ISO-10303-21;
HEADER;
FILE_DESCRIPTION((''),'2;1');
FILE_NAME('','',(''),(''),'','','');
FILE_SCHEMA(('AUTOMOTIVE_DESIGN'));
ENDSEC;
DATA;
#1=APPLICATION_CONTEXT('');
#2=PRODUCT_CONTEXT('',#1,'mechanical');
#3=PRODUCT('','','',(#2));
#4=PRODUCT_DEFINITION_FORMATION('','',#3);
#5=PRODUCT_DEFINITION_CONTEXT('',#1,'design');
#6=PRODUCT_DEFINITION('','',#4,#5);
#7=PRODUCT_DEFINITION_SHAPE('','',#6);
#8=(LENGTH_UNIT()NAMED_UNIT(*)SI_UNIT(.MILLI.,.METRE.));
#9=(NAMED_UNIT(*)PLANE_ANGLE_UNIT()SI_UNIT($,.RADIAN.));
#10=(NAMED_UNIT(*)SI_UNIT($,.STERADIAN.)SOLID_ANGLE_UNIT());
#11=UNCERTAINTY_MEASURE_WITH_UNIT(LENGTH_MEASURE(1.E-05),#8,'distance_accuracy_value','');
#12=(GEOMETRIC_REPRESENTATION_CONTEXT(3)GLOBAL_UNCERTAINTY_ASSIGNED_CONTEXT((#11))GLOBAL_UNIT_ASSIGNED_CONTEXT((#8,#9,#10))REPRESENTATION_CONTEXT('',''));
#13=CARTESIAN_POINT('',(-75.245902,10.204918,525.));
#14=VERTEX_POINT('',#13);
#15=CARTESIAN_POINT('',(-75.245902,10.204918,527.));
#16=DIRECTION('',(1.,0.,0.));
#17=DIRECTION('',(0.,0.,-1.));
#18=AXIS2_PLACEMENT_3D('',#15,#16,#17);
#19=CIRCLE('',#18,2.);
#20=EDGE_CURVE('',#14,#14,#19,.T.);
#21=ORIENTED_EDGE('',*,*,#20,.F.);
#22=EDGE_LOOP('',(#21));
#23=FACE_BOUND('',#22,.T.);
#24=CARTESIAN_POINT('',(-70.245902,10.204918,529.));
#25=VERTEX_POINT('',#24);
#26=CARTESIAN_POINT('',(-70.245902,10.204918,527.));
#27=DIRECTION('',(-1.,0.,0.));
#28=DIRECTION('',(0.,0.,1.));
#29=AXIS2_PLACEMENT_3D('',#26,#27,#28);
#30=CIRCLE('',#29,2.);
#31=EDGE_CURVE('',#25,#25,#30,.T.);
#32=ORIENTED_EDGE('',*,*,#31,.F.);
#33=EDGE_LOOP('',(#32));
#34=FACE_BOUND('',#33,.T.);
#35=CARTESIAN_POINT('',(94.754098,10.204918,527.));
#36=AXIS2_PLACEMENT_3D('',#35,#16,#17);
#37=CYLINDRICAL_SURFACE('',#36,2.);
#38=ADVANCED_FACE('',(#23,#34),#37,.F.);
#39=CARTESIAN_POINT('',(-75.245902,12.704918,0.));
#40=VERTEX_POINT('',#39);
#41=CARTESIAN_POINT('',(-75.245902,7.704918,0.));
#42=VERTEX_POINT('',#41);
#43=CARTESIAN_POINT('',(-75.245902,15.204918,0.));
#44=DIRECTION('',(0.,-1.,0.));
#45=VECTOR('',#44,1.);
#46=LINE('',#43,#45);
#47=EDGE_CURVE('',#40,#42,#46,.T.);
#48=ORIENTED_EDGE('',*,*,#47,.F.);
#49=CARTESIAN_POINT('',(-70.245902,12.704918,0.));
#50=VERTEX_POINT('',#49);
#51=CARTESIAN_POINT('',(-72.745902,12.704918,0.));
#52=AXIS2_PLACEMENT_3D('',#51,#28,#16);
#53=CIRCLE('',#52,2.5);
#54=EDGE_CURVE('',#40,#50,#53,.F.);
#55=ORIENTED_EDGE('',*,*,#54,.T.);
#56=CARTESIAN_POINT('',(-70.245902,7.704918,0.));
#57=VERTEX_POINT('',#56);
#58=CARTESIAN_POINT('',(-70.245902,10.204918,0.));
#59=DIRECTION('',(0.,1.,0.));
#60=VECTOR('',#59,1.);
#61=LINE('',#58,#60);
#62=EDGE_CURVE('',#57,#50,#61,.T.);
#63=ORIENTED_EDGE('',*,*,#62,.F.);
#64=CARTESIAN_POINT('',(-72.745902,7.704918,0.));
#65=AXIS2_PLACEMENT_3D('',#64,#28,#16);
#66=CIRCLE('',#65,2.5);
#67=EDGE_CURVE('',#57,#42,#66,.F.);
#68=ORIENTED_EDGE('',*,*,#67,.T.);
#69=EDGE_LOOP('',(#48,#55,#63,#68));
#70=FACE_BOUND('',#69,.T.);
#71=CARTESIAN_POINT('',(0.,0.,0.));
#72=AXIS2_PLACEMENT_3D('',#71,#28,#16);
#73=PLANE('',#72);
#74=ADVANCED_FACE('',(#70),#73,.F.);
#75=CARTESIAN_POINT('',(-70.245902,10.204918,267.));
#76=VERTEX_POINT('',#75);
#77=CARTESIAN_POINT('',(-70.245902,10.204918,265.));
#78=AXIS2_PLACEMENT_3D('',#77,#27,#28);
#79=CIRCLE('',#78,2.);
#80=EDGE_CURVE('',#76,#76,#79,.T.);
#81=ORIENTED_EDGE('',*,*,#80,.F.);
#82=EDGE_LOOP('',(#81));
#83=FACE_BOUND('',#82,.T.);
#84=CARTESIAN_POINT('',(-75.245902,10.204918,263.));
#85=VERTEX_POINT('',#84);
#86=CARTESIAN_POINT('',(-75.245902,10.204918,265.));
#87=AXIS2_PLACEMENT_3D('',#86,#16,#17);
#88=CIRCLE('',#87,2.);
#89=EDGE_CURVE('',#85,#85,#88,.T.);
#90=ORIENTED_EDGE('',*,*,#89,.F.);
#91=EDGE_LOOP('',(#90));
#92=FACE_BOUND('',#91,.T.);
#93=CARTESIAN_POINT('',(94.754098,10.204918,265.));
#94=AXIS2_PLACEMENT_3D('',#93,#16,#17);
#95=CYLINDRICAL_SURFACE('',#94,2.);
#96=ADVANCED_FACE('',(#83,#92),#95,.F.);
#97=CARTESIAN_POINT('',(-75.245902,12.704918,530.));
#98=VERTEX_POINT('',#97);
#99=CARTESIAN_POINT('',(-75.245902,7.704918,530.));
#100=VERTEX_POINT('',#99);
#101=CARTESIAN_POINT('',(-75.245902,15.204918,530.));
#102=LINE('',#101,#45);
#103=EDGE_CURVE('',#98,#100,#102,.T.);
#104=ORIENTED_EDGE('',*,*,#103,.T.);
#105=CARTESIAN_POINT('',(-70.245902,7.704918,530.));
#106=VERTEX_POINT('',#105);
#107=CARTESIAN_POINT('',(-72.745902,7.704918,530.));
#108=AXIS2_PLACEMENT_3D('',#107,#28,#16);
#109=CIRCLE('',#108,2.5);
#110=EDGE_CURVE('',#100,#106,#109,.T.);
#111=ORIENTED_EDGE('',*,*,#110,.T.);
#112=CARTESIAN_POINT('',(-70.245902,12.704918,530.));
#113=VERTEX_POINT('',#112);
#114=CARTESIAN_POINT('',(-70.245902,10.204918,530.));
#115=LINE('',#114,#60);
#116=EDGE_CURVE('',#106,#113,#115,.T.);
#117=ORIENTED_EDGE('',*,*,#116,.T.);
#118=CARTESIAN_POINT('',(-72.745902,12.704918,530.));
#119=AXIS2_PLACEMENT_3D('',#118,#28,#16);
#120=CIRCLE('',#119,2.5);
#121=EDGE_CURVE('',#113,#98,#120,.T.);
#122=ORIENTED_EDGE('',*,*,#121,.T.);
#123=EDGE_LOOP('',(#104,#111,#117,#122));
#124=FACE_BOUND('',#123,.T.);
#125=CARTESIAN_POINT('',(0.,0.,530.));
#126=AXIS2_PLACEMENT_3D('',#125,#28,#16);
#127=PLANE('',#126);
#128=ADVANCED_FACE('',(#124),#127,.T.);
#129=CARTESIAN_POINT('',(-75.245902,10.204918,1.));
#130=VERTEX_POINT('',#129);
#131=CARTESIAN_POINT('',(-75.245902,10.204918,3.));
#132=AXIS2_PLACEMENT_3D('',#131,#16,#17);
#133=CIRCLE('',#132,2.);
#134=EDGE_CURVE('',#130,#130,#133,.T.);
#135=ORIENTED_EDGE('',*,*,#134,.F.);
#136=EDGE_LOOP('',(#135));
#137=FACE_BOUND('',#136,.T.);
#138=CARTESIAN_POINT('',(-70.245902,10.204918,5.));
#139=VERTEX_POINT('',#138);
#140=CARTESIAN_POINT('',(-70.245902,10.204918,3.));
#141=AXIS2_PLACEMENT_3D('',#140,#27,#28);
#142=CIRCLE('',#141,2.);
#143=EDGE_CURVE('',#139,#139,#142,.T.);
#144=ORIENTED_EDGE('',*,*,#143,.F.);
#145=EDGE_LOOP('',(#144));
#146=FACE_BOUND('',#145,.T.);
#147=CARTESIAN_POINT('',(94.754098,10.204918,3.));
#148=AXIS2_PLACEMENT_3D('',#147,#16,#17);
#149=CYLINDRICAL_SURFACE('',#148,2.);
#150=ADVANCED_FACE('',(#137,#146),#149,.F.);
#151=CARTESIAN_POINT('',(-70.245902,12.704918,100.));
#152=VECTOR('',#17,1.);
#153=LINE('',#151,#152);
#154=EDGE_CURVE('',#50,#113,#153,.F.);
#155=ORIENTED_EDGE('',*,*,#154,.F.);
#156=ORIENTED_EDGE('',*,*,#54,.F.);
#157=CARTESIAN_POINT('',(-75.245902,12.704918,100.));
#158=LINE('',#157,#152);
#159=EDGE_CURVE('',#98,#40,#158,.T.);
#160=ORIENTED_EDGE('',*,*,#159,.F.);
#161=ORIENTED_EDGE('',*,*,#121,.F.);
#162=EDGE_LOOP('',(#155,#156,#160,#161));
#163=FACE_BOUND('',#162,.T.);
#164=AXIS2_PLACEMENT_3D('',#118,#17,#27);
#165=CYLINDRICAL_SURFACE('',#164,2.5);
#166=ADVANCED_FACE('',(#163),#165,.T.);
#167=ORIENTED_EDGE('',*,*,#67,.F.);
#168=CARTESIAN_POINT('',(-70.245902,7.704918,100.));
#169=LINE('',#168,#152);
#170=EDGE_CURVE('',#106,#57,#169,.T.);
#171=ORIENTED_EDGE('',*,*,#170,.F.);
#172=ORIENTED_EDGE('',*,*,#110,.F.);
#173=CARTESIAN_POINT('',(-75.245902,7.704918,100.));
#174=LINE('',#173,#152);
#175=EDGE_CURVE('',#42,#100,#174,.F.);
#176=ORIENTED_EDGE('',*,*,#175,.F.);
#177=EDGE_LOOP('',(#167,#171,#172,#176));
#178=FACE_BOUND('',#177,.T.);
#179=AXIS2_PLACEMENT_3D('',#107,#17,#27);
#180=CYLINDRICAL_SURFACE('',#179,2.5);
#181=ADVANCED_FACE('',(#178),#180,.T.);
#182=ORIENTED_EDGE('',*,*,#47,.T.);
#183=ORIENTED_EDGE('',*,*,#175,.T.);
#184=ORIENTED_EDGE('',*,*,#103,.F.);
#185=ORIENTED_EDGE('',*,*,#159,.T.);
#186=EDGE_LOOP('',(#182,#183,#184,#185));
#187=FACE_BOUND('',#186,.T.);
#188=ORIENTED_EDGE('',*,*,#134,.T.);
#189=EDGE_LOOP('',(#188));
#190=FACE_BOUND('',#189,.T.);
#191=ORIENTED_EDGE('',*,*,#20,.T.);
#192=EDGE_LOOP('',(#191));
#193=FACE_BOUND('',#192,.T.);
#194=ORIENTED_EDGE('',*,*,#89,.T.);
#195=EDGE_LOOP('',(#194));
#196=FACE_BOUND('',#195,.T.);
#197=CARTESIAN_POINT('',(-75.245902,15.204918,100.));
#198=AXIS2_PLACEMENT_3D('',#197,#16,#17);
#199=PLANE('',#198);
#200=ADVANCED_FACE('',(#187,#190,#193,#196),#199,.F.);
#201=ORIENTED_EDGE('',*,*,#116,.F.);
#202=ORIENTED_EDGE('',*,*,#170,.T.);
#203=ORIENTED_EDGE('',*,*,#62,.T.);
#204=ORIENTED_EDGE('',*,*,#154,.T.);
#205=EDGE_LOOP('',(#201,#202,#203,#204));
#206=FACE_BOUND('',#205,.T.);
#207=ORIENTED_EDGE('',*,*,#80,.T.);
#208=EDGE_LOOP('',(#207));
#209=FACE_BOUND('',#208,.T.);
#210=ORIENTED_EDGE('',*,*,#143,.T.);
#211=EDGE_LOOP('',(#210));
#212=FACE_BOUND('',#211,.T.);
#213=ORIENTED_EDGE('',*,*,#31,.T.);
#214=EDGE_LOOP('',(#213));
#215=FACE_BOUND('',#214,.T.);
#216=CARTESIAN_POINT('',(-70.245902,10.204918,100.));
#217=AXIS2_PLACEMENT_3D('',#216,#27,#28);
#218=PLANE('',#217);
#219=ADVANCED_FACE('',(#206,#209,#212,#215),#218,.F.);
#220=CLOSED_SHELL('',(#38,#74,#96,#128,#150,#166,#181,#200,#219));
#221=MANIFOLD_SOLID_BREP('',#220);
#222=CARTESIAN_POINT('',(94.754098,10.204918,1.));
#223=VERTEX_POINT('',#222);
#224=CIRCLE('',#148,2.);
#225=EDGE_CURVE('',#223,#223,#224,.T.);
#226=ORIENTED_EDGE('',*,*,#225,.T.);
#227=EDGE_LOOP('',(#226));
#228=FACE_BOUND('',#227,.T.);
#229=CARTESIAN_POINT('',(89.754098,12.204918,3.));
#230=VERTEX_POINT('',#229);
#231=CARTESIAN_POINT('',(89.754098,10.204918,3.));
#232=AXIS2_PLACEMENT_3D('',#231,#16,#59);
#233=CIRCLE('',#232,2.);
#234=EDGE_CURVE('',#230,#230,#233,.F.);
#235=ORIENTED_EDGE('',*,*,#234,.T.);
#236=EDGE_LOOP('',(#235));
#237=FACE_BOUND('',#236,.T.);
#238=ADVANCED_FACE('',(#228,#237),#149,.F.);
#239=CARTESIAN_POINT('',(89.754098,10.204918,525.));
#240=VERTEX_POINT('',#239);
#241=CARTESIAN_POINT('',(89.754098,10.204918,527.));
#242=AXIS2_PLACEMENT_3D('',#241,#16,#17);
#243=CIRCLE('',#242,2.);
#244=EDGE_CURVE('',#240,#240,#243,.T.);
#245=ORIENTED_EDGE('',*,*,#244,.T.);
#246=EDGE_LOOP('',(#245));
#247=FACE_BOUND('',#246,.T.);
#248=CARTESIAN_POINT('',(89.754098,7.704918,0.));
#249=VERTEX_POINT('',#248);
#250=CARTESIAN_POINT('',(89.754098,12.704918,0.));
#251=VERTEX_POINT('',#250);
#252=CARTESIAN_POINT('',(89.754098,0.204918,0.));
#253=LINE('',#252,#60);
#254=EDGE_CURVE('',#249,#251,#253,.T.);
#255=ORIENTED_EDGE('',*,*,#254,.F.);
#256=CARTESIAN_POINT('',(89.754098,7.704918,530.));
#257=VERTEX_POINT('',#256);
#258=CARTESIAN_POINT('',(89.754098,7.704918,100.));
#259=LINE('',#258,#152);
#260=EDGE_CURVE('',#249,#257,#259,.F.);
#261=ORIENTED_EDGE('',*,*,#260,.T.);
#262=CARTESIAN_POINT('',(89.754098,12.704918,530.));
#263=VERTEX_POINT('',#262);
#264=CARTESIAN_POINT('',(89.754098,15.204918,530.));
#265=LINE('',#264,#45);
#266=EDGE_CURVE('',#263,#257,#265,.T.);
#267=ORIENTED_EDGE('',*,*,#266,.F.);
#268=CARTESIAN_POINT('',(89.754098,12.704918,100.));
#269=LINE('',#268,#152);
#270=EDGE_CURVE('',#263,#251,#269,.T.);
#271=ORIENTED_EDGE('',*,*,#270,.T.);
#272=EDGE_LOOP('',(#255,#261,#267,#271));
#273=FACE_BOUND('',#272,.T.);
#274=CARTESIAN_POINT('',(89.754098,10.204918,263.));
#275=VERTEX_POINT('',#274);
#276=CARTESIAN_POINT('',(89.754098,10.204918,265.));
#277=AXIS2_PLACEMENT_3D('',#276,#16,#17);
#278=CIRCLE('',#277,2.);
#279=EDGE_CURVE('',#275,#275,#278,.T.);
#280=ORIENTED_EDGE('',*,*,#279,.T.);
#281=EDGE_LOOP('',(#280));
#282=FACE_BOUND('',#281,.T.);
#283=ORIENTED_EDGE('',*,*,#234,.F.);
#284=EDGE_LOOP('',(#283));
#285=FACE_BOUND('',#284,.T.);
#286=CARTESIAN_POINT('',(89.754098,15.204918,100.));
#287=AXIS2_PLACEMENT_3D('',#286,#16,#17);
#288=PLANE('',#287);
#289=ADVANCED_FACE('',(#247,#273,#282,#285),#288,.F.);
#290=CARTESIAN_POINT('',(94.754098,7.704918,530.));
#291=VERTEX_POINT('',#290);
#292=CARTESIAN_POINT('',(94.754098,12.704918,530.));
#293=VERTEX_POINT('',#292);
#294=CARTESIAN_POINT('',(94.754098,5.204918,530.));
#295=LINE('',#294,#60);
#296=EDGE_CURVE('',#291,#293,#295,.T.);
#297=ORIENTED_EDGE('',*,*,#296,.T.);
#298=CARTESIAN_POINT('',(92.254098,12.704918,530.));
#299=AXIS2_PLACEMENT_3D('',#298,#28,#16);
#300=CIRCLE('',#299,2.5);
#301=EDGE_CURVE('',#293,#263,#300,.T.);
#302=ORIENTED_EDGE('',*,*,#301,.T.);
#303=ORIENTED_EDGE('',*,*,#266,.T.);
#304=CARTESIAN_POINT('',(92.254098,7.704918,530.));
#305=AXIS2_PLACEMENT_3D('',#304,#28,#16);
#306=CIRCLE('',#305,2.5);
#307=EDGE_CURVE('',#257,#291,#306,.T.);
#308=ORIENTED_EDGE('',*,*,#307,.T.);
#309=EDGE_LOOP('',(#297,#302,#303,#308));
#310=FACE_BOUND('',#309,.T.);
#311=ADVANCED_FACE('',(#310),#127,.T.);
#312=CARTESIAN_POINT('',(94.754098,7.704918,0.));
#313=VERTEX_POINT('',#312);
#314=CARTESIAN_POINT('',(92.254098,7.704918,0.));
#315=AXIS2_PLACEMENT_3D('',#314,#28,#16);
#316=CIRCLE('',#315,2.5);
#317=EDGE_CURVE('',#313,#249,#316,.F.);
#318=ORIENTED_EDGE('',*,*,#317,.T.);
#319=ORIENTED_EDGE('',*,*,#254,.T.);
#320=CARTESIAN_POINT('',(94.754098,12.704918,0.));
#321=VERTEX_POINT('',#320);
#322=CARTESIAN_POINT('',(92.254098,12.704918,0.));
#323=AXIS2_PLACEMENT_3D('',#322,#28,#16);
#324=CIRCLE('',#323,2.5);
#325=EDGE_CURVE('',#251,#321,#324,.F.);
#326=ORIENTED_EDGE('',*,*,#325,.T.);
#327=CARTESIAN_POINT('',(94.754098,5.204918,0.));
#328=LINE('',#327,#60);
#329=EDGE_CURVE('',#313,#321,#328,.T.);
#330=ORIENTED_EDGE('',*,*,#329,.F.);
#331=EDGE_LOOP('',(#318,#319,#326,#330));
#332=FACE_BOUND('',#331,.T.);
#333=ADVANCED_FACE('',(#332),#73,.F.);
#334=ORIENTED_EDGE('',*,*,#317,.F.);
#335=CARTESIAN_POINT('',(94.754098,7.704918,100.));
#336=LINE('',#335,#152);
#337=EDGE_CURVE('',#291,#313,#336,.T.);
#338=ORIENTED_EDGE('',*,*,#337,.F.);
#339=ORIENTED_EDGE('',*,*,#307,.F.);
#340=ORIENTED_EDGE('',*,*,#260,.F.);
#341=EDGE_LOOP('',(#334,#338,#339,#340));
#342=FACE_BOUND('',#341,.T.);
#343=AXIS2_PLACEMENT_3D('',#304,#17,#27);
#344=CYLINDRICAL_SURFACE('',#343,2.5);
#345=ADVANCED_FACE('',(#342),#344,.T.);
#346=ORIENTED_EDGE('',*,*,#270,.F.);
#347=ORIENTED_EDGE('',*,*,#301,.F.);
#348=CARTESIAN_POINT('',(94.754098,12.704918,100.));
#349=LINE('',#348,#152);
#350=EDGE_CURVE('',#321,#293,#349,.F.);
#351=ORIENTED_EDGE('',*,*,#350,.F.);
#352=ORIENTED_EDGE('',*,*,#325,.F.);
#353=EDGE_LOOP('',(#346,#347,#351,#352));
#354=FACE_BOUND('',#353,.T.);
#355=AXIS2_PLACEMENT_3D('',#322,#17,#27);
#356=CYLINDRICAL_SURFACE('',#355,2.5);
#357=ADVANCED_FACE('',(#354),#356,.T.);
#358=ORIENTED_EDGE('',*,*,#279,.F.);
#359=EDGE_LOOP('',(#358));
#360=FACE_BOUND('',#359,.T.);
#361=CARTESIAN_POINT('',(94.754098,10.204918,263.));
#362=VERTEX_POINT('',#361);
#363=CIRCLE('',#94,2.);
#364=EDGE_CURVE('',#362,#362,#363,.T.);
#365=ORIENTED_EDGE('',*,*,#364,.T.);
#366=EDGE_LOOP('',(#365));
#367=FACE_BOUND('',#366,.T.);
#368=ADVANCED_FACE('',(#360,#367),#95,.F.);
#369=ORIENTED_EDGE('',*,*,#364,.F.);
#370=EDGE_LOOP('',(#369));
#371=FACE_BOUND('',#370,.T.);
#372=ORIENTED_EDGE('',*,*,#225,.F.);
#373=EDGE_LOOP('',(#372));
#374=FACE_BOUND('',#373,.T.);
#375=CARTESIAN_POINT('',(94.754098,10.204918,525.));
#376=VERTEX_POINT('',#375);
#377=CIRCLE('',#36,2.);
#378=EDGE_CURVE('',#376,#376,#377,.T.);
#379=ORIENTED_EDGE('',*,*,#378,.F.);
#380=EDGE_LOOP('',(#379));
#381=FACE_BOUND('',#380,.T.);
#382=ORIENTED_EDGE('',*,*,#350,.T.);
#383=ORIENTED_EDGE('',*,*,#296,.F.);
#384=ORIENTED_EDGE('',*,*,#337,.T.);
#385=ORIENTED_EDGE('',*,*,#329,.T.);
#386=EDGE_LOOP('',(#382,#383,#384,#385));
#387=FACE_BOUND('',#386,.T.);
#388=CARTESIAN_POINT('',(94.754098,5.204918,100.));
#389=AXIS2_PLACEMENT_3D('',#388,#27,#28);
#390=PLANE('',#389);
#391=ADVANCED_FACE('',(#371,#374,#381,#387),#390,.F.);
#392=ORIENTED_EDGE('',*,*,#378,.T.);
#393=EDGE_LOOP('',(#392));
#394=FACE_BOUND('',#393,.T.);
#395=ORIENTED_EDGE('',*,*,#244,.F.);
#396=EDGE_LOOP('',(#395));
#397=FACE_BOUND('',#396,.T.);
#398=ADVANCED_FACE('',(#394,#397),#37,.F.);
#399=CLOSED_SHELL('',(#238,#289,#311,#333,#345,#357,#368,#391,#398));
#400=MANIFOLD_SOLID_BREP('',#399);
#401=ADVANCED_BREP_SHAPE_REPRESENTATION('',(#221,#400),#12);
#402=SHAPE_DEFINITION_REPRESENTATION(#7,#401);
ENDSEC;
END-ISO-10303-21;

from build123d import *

# Parameters (mm, degrees)
BOSS_EXTRUDE1_DEPTH   = 100
BOSS_EXTRUDE2_DEPTH   = 430
F_4_0MM_DOWEL_HOLE7_D = 4
SKETCH6_W             = 160
SKETCH6_H             = 100
CUT_EXTRUDE1_DEPTH    = 10
FILLET1_RADIUS        = 2.5
FILLET1_LENGTH        = 530
FILLET2_RADIUS        = 2.5
FILLET2_LENGTH        = 530
FILLET4_RADIUS        = 2.5
FILLET4_LENGTH        = 530
FILLET5_RADIUS        = 2.5
FILLET5_LENGTH        = 530


with BuildPart() as part:
    # Sketch1 → Boss-Extrude1 (new body)
    with BuildSketch(Plane.XY):
        Polygon((-75.245901639, 15.204918033), (-75.245901639, 5.204918033), (94.754098361, 5.204918033), (94.754098361, 15.204918033), (89.754098361, 15.204918033), (89.754098361, 10.204918033), (-70.245901639, 10.204918033), (-70.245901639, 15.204918033), align=None)
    extrude(amount=BOSS_EXTRUDE1_DEPTH)

    # Sketch2 → Boss-Extrude2 (add)
    with BuildSketch(Plane.XY.offset(100)):
        Polygon((-75.245901639, 15.204918033), (-75.245901639, 5.204918033), (-70.245901639, 5.204918033), (-70.245901639, 10.204918033), (-70.245901639, 15.204918033), align=None)
        Polygon((89.754098361, 15.204918033), (89.754098361, 10.204918033), (89.754098361, 5.204918033), (94.754098361, 5.204918033), (94.754098361, 15.204918033), align=None)
    extrude(amount=BOSS_EXTRUDE2_DEPTH)

    # Ø4.0mm Dowel Hole7 (through all)
    with Locations(Plane(origin=(94.754098361, 0, 0), x_dir=(0, 0, -1), z_dir=(1, 0, 0))):
        with Locations((-527, 10.204918033), (-265, 10.204918033), (-3, 10.204918033)):
            Hole(F_4_0MM_DOWEL_HOLE7_D / 2)

    # Sketch6 → Cut-Extrude1 (cut)
    with BuildSketch(Plane(origin=(0, 10.204918033, 0), x_dir=(1, 0, 0), z_dir=(0, 1, 0))):
        with Locations((9.754098361, -50)):
            Rectangle(SKETCH6_W, SKETCH6_H)
    extrude(amount=-CUT_EXTRUDE1_DEPTH, mode=Mode.SUBTRACT)


with BuildPart() as cut_extrude1_piece_1:
    # of the separate pieces the step leaves, piece 1, a body of its own (cut_extrude1_pieces)
    add(part.part.solids().sort_by_distance((-75.245901639, 15.204918033, 530))[0])

    # Fillet4: full round fillet: the end face becomes a half cylinder, R = half its width
    fillet4_face = Plane((-72.745901639, 15.204918033, 265), x_dir=(0, 0, -1), z_dir=(0, 1, 0))  # on the end face: x along it, z out of the body
    fillet4_slab = fillet4_face.offset(-FILLET4_RADIUS / 2) * Box(FILLET4_LENGTH, 2 * FILLET4_RADIUS, FILLET4_RADIUS, mode=Mode.PRIVATE)  # the body's end, R deep
    fillet4_round = Plane((-72.745901639, 12.704918033, 265), x_dir=(0, 1, 0), z_dir=(0, 0, -1)) * Cylinder(FILLET4_RADIUS, FILLET4_LENGTH, mode=Mode.PRIVATE)  # its axis R under the face
    add(fillet4_slab - fillet4_round, mode=Mode.SUBTRACT)

    # Fillet5: full round fillet: the end face becomes a half cylinder, R = half its width
    fillet5_face = Plane((-72.745901639, 5.204918033, 265), x_dir=(0, 0, -1), z_dir=(0, -1, 0))  # on the end face: x along it, z out of the body
    fillet5_slab = fillet5_face.offset(-FILLET5_RADIUS / 2) * Box(FILLET5_LENGTH, 2 * FILLET5_RADIUS, FILLET5_RADIUS, mode=Mode.PRIVATE)  # the body's end, R deep
    fillet5_round = Plane((-72.745901639, 7.704918033, 265), x_dir=(0, -1, 0), z_dir=(0, 0, -1)) * Cylinder(FILLET5_RADIUS, FILLET5_LENGTH, mode=Mode.PRIVATE)  # its axis R under the face
    add(fillet5_slab - fillet5_round, mode=Mode.SUBTRACT)


with BuildPart() as cut_extrude1_piece_2:
    # of the separate pieces the step leaves, piece 2, a body of its own (cut_extrude1_pieces)
    add(part.part.solids().sort_by_distance((89.754098361, 5.204918033, 0))[0])

    # Fillet1: full round fillet: the end face becomes a half cylinder, R = half its width
    fillet1_face = Plane((92.254098361, 15.204918033, 265), x_dir=(0, 0, -1), z_dir=(0, 1, 0))  # on the end face: x along it, z out of the body
    fillet1_slab = fillet1_face.offset(-FILLET1_RADIUS / 2) * Box(FILLET1_LENGTH, 2 * FILLET1_RADIUS, FILLET1_RADIUS, mode=Mode.PRIVATE)  # the body's end, R deep
    fillet1_round = Plane((92.254098361, 12.704918033, 265), x_dir=(0, 1, 0), z_dir=(0, 0, -1)) * Cylinder(FILLET1_RADIUS, FILLET1_LENGTH, mode=Mode.PRIVATE)  # its axis R under the face
    add(fillet1_slab - fillet1_round, mode=Mode.SUBTRACT)

    # Fillet2: full round fillet: the end face becomes a half cylinder, R = half its width
    fillet2_face = Plane((92.254098361, 5.204918033, 265), x_dir=(0, 0, 1), z_dir=(0, -1, 0))  # on the end face: x along it, z out of the body
    fillet2_slab = fillet2_face.offset(-FILLET2_RADIUS / 2) * Box(FILLET2_LENGTH, 2 * FILLET2_RADIUS, FILLET2_RADIUS, mode=Mode.PRIVATE)  # the body's end, R deep
    fillet2_round = Plane((92.254098361, 7.704918033, 265), x_dir=(0, -1, 0), z_dir=(0, 0, 1)) * Cylinder(FILLET2_RADIUS, FILLET2_LENGTH, mode=Mode.PRIVATE)  # its axis R under the face
    add(fillet2_slab - fillet2_round, mode=Mode.SUBTRACT)


solid = Compound([cut_extrude1_piece_1.part, cut_extrude1_piece_2.part])
